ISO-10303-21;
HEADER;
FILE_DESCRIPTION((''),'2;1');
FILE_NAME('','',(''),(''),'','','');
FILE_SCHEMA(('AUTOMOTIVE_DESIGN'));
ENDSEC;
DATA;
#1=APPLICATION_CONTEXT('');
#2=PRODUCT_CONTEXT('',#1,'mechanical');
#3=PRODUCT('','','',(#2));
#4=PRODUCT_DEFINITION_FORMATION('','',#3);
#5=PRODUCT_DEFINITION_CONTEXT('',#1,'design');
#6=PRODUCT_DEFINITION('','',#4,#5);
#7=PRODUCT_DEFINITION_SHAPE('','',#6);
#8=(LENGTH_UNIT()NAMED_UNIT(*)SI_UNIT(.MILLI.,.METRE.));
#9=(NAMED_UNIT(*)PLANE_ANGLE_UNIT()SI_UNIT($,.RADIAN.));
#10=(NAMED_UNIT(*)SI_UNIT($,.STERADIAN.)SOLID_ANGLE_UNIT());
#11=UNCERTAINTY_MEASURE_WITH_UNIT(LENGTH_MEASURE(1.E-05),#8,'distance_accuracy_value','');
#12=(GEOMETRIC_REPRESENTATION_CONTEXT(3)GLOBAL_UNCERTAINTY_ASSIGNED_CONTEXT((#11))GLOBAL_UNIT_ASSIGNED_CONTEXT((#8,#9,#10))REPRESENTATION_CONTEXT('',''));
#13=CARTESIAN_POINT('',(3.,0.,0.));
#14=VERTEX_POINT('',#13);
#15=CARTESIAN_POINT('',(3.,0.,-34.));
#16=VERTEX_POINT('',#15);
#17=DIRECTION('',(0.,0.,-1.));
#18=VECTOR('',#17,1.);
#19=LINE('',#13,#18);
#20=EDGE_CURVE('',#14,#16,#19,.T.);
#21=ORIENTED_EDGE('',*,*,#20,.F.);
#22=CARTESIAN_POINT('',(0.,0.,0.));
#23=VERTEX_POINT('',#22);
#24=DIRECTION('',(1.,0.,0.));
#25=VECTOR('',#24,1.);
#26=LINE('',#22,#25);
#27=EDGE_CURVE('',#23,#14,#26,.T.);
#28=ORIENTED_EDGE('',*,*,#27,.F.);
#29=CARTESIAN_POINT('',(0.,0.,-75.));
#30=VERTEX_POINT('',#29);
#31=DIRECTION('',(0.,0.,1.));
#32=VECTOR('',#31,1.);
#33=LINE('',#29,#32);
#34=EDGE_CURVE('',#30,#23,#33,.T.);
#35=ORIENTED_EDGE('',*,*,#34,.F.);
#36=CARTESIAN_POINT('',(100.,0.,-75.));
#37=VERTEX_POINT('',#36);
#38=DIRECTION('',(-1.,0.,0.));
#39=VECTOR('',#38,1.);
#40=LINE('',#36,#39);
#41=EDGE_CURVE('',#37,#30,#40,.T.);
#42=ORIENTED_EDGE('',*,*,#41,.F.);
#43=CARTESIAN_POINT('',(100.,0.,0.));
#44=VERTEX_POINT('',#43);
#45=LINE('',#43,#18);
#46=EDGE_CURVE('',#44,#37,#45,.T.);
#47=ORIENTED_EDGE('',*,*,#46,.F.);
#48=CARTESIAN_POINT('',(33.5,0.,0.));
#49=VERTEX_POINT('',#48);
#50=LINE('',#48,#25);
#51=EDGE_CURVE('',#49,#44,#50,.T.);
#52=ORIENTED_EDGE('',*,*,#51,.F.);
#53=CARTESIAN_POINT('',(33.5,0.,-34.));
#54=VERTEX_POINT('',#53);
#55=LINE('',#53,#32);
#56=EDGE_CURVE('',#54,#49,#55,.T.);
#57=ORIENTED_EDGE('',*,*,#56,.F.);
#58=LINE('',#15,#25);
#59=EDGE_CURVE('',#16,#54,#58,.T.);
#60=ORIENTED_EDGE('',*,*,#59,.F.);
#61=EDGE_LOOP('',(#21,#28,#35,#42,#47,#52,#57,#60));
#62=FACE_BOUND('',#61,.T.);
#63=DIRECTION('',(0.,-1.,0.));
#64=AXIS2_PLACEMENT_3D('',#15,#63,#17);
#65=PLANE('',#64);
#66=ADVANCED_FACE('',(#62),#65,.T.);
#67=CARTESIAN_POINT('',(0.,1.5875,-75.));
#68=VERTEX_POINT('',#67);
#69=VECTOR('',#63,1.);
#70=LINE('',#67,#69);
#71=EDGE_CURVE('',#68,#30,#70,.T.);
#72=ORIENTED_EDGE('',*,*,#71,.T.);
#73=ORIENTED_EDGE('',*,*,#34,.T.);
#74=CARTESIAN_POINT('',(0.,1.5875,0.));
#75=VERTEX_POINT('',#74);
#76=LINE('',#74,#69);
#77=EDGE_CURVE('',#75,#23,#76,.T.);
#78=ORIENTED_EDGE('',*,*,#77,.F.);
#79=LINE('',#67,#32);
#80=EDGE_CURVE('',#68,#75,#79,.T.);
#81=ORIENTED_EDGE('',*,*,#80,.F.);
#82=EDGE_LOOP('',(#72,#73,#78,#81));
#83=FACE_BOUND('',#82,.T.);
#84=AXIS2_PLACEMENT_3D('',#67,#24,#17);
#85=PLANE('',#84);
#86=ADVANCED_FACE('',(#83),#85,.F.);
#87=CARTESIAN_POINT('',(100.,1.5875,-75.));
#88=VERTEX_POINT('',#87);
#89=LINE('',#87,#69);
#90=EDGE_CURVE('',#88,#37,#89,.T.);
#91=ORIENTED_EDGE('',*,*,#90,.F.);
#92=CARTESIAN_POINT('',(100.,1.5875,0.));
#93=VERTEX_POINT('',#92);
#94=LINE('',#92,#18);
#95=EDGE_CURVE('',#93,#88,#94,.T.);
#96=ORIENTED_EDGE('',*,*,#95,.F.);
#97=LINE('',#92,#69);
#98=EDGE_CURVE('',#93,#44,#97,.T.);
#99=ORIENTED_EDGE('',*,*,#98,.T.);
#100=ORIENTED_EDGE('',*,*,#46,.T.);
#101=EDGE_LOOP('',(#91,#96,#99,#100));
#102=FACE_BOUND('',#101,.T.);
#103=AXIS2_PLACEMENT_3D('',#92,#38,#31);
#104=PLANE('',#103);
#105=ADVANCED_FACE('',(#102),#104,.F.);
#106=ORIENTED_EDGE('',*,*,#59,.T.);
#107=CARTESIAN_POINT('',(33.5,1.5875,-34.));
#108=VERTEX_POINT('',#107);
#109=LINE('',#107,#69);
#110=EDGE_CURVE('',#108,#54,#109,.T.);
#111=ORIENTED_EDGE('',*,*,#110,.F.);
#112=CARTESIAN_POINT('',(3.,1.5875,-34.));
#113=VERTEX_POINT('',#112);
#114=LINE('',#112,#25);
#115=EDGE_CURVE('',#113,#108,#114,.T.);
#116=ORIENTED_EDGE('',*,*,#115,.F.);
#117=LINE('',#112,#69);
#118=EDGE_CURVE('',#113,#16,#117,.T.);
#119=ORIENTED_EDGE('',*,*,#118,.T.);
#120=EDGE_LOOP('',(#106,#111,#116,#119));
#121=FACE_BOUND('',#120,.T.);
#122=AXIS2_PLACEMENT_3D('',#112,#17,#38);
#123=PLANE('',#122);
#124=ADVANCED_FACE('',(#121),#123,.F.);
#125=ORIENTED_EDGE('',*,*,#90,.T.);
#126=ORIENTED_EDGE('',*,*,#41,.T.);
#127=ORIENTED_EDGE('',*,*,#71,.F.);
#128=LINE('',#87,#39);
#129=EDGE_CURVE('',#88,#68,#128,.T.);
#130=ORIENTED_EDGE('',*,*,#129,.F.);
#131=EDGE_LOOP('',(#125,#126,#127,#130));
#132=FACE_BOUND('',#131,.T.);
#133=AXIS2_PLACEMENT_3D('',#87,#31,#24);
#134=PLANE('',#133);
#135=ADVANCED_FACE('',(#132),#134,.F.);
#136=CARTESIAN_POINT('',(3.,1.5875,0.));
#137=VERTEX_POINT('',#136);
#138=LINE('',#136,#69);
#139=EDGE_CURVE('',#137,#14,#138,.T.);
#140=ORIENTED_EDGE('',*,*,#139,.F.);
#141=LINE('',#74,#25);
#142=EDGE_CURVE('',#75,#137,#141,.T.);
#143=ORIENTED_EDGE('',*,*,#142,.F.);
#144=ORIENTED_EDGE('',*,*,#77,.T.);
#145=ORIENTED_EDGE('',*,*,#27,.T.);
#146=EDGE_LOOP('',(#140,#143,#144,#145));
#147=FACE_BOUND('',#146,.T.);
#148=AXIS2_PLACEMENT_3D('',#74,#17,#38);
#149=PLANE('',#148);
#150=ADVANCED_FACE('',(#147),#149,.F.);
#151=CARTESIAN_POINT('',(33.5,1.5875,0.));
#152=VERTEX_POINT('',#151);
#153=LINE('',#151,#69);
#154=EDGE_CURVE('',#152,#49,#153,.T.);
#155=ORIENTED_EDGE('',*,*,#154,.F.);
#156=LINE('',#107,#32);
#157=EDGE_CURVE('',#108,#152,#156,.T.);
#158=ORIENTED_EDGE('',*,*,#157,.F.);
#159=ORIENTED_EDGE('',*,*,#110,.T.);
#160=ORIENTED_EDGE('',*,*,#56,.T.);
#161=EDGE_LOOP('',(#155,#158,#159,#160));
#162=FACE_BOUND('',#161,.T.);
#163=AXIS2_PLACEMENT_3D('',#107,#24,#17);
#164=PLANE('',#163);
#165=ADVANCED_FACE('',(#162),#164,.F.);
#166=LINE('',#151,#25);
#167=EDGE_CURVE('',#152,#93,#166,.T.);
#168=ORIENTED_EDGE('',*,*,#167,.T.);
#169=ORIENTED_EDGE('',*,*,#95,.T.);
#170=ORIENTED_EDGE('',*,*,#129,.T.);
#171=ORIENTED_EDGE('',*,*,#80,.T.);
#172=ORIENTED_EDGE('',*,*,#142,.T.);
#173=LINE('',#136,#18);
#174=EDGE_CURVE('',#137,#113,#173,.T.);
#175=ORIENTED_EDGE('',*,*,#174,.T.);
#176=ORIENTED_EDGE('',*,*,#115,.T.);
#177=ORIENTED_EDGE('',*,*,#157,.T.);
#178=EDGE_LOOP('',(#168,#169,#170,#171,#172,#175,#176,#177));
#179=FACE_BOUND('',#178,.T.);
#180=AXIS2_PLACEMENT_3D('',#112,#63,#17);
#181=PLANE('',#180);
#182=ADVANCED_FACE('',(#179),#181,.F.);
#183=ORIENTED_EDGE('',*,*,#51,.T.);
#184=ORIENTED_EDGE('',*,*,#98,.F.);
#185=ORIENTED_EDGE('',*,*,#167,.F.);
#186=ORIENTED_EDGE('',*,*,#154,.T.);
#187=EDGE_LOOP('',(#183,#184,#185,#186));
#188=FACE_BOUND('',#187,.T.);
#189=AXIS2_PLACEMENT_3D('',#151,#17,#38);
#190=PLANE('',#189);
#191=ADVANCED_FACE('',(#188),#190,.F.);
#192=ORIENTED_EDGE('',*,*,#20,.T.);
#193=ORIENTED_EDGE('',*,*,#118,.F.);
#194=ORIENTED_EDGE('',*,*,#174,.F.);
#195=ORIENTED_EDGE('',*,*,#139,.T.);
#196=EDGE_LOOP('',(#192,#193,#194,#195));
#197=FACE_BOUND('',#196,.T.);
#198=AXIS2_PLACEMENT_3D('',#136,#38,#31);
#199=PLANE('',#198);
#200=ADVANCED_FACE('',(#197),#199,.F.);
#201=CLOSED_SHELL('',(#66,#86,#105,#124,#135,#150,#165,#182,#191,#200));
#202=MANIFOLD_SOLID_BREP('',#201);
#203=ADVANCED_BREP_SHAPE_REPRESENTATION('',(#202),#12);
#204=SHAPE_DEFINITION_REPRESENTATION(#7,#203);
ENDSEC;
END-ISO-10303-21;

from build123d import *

# Parameters (mm, degrees)
BOSS_EXTRUDE1_DEPTH = 1.5875


with BuildPart() as part:
    # Sketch1 → Boss-Extrude1 (new body)
    with BuildSketch(Plane(origin=(0, 0, 0), x_dir=(1, 0, 0), z_dir=(0, 1, 0))):
        Polygon((0, 0), (3, 0), (3, 34), (33.5, 34), (33.5, 0), (100, 0), (100, 75), (0, 75), align=None)
    extrude(amount=BOSS_EXTRUDE1_DEPTH)


solid = part.part
